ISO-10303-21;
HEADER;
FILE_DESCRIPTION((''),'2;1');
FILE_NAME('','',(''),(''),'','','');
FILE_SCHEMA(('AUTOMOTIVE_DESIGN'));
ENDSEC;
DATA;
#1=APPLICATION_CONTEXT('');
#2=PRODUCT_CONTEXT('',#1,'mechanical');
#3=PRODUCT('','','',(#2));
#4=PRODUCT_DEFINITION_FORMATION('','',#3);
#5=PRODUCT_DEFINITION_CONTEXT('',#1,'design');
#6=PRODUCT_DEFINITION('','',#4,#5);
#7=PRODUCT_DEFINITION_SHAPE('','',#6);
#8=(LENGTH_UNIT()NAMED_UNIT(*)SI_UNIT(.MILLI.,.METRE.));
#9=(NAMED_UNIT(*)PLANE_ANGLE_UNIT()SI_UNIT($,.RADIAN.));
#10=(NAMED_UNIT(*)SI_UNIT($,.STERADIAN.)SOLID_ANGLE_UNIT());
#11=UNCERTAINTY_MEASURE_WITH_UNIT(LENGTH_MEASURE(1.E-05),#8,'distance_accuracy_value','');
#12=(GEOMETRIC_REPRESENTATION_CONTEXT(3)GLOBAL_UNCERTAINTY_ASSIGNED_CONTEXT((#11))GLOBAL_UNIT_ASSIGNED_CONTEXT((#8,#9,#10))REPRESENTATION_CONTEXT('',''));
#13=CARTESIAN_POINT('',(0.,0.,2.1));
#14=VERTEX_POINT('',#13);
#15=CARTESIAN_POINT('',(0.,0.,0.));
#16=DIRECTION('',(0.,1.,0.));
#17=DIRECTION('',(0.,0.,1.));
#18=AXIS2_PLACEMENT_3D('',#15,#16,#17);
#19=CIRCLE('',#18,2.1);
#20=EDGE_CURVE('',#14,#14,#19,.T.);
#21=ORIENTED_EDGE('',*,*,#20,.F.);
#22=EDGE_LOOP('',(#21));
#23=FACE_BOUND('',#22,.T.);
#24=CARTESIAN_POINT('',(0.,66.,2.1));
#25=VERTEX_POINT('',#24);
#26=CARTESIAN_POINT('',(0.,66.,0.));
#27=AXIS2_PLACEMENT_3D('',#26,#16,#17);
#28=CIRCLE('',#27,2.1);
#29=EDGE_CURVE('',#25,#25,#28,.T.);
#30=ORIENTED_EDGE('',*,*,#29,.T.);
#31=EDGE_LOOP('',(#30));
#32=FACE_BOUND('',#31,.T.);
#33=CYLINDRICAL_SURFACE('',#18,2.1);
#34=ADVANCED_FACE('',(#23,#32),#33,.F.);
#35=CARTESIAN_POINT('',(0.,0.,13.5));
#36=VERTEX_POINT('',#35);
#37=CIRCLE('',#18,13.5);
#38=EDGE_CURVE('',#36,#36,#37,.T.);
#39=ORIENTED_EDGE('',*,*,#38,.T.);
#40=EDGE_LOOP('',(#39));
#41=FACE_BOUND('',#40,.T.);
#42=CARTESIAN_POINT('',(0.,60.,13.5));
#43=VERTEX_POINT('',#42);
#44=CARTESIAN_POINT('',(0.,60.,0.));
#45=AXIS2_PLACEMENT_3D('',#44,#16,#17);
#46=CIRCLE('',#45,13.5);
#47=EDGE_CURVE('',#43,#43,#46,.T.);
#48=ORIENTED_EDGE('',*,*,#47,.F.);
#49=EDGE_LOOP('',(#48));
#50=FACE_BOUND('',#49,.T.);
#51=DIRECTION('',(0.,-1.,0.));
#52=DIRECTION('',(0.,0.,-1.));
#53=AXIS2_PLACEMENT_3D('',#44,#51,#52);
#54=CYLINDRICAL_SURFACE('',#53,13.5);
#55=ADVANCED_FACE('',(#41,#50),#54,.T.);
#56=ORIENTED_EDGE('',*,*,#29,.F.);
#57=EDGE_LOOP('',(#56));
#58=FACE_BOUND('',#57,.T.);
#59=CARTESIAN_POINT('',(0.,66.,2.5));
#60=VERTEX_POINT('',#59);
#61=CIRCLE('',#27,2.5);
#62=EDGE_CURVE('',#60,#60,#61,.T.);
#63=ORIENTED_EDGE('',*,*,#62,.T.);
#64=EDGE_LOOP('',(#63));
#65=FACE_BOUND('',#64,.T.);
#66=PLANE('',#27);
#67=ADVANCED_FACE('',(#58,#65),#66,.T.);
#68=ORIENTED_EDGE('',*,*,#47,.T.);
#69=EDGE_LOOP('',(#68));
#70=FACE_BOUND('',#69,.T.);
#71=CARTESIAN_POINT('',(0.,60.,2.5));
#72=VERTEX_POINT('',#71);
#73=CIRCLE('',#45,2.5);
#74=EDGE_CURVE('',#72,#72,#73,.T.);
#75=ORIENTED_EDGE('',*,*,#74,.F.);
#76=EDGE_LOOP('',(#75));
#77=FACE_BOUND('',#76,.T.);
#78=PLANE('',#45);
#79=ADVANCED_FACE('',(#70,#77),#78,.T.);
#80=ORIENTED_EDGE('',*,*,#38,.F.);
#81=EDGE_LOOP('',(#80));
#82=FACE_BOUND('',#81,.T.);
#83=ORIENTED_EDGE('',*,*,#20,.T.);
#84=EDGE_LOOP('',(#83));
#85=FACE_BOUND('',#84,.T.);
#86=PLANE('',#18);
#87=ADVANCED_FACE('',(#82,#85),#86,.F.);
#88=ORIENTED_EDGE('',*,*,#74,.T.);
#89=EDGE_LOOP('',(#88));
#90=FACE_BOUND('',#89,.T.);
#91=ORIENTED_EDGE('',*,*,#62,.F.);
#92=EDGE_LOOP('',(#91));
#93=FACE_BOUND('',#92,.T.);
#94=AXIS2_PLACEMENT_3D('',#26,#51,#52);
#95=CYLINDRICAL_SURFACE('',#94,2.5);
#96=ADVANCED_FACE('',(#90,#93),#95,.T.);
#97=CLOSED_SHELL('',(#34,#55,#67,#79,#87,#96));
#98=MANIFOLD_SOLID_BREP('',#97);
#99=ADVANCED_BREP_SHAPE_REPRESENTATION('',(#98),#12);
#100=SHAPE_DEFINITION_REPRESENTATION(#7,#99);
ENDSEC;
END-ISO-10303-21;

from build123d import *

# Parameters (mm, degrees)
SKETCH1_R           = 13.5
BOSS_EXTRUDE1_DEPTH = 60
SKETCH2_R           = 2.5
BOSS_EXTRUDE2_DEPTH = 6
SKETCH3_R           = 2.1
CUT_EXTRUDE1_DEPTH  = 69.705894944


with BuildPart() as part:
    # Sketch1 → Boss-Extrude1 (new body)
    with BuildSketch(Plane(origin=(0, 0, 0), x_dir=(1, 0, 0), z_dir=(0, 1, 0))):
        with Locations(Location((0, 0, 0), (0, 0, 270))):
            Circle(SKETCH1_R)
    extrude(amount=BOSS_EXTRUDE1_DEPTH)

    # Sketch2 → Boss-Extrude2 (add)
    with BuildSketch(Plane(origin=(0, 60, 0), x_dir=(1, 0, 0), z_dir=(0, 1, 0))):
        with Locations(Location((0, 0, 0), (0, 0, 270))):
            Circle(SKETCH2_R)
    extrude(amount=BOSS_EXTRUDE2_DEPTH)

    # Sketch3 → Cut-Extrude1 (cut, through all)
    with BuildSketch(Plane(origin=(0, 66, 0), x_dir=(1, 0, 0), z_dir=(0, 1, 0))):
        with Locations(Location((0, 0, 0), (0, 0, 270))):
            Circle(SKETCH3_R)
    extrude(amount=-CUT_EXTRUDE1_DEPTH, mode=Mode.SUBTRACT)


solid = part.part
